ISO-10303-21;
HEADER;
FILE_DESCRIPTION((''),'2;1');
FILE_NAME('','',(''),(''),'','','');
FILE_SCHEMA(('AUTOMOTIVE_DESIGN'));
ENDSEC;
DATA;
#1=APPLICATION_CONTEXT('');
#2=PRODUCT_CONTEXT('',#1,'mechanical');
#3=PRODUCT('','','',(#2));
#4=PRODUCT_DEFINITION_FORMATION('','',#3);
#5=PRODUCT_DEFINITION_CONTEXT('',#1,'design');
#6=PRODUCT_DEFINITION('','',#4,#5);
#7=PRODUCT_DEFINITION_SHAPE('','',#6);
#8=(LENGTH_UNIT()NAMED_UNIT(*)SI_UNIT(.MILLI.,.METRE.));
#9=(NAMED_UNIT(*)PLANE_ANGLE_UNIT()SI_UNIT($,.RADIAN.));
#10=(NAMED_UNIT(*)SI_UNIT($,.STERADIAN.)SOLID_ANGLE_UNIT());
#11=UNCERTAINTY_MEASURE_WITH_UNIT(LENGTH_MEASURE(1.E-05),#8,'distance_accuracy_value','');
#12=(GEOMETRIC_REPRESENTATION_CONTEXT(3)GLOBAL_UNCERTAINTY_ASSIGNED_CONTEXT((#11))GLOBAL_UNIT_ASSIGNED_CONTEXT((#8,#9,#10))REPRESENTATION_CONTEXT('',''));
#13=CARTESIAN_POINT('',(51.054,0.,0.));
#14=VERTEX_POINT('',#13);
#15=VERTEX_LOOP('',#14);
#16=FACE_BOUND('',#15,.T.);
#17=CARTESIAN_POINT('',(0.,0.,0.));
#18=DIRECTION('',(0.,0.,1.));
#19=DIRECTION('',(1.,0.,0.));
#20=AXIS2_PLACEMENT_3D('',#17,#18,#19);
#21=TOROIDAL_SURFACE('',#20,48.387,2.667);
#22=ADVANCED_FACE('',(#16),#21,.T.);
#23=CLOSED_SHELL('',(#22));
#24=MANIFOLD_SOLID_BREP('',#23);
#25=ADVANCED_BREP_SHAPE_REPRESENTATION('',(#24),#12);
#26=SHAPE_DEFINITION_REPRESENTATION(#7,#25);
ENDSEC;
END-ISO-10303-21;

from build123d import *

# Parameters (mm, degrees)
SKETCH1_R = 2.667


with BuildPart() as part:
    # Sketch1 → Revolve1 (revolve)
    with BuildSketch(Plane(origin=(0, 0, 0), x_dir=(0, -1, 0), z_dir=(1, 0, 0)), mode=Mode.PRIVATE) as revolve1_sk:
        with Locations((48.387, 0)):
            Circle(SKETCH1_R)
    revolve(revolve1_sk.sketch.rotate(Axis((0, 0, 2.667), (0, 0, -1)), 270), axis=Axis((0, 0, 2.667), (0, 0, -1)))


solid = part.part
